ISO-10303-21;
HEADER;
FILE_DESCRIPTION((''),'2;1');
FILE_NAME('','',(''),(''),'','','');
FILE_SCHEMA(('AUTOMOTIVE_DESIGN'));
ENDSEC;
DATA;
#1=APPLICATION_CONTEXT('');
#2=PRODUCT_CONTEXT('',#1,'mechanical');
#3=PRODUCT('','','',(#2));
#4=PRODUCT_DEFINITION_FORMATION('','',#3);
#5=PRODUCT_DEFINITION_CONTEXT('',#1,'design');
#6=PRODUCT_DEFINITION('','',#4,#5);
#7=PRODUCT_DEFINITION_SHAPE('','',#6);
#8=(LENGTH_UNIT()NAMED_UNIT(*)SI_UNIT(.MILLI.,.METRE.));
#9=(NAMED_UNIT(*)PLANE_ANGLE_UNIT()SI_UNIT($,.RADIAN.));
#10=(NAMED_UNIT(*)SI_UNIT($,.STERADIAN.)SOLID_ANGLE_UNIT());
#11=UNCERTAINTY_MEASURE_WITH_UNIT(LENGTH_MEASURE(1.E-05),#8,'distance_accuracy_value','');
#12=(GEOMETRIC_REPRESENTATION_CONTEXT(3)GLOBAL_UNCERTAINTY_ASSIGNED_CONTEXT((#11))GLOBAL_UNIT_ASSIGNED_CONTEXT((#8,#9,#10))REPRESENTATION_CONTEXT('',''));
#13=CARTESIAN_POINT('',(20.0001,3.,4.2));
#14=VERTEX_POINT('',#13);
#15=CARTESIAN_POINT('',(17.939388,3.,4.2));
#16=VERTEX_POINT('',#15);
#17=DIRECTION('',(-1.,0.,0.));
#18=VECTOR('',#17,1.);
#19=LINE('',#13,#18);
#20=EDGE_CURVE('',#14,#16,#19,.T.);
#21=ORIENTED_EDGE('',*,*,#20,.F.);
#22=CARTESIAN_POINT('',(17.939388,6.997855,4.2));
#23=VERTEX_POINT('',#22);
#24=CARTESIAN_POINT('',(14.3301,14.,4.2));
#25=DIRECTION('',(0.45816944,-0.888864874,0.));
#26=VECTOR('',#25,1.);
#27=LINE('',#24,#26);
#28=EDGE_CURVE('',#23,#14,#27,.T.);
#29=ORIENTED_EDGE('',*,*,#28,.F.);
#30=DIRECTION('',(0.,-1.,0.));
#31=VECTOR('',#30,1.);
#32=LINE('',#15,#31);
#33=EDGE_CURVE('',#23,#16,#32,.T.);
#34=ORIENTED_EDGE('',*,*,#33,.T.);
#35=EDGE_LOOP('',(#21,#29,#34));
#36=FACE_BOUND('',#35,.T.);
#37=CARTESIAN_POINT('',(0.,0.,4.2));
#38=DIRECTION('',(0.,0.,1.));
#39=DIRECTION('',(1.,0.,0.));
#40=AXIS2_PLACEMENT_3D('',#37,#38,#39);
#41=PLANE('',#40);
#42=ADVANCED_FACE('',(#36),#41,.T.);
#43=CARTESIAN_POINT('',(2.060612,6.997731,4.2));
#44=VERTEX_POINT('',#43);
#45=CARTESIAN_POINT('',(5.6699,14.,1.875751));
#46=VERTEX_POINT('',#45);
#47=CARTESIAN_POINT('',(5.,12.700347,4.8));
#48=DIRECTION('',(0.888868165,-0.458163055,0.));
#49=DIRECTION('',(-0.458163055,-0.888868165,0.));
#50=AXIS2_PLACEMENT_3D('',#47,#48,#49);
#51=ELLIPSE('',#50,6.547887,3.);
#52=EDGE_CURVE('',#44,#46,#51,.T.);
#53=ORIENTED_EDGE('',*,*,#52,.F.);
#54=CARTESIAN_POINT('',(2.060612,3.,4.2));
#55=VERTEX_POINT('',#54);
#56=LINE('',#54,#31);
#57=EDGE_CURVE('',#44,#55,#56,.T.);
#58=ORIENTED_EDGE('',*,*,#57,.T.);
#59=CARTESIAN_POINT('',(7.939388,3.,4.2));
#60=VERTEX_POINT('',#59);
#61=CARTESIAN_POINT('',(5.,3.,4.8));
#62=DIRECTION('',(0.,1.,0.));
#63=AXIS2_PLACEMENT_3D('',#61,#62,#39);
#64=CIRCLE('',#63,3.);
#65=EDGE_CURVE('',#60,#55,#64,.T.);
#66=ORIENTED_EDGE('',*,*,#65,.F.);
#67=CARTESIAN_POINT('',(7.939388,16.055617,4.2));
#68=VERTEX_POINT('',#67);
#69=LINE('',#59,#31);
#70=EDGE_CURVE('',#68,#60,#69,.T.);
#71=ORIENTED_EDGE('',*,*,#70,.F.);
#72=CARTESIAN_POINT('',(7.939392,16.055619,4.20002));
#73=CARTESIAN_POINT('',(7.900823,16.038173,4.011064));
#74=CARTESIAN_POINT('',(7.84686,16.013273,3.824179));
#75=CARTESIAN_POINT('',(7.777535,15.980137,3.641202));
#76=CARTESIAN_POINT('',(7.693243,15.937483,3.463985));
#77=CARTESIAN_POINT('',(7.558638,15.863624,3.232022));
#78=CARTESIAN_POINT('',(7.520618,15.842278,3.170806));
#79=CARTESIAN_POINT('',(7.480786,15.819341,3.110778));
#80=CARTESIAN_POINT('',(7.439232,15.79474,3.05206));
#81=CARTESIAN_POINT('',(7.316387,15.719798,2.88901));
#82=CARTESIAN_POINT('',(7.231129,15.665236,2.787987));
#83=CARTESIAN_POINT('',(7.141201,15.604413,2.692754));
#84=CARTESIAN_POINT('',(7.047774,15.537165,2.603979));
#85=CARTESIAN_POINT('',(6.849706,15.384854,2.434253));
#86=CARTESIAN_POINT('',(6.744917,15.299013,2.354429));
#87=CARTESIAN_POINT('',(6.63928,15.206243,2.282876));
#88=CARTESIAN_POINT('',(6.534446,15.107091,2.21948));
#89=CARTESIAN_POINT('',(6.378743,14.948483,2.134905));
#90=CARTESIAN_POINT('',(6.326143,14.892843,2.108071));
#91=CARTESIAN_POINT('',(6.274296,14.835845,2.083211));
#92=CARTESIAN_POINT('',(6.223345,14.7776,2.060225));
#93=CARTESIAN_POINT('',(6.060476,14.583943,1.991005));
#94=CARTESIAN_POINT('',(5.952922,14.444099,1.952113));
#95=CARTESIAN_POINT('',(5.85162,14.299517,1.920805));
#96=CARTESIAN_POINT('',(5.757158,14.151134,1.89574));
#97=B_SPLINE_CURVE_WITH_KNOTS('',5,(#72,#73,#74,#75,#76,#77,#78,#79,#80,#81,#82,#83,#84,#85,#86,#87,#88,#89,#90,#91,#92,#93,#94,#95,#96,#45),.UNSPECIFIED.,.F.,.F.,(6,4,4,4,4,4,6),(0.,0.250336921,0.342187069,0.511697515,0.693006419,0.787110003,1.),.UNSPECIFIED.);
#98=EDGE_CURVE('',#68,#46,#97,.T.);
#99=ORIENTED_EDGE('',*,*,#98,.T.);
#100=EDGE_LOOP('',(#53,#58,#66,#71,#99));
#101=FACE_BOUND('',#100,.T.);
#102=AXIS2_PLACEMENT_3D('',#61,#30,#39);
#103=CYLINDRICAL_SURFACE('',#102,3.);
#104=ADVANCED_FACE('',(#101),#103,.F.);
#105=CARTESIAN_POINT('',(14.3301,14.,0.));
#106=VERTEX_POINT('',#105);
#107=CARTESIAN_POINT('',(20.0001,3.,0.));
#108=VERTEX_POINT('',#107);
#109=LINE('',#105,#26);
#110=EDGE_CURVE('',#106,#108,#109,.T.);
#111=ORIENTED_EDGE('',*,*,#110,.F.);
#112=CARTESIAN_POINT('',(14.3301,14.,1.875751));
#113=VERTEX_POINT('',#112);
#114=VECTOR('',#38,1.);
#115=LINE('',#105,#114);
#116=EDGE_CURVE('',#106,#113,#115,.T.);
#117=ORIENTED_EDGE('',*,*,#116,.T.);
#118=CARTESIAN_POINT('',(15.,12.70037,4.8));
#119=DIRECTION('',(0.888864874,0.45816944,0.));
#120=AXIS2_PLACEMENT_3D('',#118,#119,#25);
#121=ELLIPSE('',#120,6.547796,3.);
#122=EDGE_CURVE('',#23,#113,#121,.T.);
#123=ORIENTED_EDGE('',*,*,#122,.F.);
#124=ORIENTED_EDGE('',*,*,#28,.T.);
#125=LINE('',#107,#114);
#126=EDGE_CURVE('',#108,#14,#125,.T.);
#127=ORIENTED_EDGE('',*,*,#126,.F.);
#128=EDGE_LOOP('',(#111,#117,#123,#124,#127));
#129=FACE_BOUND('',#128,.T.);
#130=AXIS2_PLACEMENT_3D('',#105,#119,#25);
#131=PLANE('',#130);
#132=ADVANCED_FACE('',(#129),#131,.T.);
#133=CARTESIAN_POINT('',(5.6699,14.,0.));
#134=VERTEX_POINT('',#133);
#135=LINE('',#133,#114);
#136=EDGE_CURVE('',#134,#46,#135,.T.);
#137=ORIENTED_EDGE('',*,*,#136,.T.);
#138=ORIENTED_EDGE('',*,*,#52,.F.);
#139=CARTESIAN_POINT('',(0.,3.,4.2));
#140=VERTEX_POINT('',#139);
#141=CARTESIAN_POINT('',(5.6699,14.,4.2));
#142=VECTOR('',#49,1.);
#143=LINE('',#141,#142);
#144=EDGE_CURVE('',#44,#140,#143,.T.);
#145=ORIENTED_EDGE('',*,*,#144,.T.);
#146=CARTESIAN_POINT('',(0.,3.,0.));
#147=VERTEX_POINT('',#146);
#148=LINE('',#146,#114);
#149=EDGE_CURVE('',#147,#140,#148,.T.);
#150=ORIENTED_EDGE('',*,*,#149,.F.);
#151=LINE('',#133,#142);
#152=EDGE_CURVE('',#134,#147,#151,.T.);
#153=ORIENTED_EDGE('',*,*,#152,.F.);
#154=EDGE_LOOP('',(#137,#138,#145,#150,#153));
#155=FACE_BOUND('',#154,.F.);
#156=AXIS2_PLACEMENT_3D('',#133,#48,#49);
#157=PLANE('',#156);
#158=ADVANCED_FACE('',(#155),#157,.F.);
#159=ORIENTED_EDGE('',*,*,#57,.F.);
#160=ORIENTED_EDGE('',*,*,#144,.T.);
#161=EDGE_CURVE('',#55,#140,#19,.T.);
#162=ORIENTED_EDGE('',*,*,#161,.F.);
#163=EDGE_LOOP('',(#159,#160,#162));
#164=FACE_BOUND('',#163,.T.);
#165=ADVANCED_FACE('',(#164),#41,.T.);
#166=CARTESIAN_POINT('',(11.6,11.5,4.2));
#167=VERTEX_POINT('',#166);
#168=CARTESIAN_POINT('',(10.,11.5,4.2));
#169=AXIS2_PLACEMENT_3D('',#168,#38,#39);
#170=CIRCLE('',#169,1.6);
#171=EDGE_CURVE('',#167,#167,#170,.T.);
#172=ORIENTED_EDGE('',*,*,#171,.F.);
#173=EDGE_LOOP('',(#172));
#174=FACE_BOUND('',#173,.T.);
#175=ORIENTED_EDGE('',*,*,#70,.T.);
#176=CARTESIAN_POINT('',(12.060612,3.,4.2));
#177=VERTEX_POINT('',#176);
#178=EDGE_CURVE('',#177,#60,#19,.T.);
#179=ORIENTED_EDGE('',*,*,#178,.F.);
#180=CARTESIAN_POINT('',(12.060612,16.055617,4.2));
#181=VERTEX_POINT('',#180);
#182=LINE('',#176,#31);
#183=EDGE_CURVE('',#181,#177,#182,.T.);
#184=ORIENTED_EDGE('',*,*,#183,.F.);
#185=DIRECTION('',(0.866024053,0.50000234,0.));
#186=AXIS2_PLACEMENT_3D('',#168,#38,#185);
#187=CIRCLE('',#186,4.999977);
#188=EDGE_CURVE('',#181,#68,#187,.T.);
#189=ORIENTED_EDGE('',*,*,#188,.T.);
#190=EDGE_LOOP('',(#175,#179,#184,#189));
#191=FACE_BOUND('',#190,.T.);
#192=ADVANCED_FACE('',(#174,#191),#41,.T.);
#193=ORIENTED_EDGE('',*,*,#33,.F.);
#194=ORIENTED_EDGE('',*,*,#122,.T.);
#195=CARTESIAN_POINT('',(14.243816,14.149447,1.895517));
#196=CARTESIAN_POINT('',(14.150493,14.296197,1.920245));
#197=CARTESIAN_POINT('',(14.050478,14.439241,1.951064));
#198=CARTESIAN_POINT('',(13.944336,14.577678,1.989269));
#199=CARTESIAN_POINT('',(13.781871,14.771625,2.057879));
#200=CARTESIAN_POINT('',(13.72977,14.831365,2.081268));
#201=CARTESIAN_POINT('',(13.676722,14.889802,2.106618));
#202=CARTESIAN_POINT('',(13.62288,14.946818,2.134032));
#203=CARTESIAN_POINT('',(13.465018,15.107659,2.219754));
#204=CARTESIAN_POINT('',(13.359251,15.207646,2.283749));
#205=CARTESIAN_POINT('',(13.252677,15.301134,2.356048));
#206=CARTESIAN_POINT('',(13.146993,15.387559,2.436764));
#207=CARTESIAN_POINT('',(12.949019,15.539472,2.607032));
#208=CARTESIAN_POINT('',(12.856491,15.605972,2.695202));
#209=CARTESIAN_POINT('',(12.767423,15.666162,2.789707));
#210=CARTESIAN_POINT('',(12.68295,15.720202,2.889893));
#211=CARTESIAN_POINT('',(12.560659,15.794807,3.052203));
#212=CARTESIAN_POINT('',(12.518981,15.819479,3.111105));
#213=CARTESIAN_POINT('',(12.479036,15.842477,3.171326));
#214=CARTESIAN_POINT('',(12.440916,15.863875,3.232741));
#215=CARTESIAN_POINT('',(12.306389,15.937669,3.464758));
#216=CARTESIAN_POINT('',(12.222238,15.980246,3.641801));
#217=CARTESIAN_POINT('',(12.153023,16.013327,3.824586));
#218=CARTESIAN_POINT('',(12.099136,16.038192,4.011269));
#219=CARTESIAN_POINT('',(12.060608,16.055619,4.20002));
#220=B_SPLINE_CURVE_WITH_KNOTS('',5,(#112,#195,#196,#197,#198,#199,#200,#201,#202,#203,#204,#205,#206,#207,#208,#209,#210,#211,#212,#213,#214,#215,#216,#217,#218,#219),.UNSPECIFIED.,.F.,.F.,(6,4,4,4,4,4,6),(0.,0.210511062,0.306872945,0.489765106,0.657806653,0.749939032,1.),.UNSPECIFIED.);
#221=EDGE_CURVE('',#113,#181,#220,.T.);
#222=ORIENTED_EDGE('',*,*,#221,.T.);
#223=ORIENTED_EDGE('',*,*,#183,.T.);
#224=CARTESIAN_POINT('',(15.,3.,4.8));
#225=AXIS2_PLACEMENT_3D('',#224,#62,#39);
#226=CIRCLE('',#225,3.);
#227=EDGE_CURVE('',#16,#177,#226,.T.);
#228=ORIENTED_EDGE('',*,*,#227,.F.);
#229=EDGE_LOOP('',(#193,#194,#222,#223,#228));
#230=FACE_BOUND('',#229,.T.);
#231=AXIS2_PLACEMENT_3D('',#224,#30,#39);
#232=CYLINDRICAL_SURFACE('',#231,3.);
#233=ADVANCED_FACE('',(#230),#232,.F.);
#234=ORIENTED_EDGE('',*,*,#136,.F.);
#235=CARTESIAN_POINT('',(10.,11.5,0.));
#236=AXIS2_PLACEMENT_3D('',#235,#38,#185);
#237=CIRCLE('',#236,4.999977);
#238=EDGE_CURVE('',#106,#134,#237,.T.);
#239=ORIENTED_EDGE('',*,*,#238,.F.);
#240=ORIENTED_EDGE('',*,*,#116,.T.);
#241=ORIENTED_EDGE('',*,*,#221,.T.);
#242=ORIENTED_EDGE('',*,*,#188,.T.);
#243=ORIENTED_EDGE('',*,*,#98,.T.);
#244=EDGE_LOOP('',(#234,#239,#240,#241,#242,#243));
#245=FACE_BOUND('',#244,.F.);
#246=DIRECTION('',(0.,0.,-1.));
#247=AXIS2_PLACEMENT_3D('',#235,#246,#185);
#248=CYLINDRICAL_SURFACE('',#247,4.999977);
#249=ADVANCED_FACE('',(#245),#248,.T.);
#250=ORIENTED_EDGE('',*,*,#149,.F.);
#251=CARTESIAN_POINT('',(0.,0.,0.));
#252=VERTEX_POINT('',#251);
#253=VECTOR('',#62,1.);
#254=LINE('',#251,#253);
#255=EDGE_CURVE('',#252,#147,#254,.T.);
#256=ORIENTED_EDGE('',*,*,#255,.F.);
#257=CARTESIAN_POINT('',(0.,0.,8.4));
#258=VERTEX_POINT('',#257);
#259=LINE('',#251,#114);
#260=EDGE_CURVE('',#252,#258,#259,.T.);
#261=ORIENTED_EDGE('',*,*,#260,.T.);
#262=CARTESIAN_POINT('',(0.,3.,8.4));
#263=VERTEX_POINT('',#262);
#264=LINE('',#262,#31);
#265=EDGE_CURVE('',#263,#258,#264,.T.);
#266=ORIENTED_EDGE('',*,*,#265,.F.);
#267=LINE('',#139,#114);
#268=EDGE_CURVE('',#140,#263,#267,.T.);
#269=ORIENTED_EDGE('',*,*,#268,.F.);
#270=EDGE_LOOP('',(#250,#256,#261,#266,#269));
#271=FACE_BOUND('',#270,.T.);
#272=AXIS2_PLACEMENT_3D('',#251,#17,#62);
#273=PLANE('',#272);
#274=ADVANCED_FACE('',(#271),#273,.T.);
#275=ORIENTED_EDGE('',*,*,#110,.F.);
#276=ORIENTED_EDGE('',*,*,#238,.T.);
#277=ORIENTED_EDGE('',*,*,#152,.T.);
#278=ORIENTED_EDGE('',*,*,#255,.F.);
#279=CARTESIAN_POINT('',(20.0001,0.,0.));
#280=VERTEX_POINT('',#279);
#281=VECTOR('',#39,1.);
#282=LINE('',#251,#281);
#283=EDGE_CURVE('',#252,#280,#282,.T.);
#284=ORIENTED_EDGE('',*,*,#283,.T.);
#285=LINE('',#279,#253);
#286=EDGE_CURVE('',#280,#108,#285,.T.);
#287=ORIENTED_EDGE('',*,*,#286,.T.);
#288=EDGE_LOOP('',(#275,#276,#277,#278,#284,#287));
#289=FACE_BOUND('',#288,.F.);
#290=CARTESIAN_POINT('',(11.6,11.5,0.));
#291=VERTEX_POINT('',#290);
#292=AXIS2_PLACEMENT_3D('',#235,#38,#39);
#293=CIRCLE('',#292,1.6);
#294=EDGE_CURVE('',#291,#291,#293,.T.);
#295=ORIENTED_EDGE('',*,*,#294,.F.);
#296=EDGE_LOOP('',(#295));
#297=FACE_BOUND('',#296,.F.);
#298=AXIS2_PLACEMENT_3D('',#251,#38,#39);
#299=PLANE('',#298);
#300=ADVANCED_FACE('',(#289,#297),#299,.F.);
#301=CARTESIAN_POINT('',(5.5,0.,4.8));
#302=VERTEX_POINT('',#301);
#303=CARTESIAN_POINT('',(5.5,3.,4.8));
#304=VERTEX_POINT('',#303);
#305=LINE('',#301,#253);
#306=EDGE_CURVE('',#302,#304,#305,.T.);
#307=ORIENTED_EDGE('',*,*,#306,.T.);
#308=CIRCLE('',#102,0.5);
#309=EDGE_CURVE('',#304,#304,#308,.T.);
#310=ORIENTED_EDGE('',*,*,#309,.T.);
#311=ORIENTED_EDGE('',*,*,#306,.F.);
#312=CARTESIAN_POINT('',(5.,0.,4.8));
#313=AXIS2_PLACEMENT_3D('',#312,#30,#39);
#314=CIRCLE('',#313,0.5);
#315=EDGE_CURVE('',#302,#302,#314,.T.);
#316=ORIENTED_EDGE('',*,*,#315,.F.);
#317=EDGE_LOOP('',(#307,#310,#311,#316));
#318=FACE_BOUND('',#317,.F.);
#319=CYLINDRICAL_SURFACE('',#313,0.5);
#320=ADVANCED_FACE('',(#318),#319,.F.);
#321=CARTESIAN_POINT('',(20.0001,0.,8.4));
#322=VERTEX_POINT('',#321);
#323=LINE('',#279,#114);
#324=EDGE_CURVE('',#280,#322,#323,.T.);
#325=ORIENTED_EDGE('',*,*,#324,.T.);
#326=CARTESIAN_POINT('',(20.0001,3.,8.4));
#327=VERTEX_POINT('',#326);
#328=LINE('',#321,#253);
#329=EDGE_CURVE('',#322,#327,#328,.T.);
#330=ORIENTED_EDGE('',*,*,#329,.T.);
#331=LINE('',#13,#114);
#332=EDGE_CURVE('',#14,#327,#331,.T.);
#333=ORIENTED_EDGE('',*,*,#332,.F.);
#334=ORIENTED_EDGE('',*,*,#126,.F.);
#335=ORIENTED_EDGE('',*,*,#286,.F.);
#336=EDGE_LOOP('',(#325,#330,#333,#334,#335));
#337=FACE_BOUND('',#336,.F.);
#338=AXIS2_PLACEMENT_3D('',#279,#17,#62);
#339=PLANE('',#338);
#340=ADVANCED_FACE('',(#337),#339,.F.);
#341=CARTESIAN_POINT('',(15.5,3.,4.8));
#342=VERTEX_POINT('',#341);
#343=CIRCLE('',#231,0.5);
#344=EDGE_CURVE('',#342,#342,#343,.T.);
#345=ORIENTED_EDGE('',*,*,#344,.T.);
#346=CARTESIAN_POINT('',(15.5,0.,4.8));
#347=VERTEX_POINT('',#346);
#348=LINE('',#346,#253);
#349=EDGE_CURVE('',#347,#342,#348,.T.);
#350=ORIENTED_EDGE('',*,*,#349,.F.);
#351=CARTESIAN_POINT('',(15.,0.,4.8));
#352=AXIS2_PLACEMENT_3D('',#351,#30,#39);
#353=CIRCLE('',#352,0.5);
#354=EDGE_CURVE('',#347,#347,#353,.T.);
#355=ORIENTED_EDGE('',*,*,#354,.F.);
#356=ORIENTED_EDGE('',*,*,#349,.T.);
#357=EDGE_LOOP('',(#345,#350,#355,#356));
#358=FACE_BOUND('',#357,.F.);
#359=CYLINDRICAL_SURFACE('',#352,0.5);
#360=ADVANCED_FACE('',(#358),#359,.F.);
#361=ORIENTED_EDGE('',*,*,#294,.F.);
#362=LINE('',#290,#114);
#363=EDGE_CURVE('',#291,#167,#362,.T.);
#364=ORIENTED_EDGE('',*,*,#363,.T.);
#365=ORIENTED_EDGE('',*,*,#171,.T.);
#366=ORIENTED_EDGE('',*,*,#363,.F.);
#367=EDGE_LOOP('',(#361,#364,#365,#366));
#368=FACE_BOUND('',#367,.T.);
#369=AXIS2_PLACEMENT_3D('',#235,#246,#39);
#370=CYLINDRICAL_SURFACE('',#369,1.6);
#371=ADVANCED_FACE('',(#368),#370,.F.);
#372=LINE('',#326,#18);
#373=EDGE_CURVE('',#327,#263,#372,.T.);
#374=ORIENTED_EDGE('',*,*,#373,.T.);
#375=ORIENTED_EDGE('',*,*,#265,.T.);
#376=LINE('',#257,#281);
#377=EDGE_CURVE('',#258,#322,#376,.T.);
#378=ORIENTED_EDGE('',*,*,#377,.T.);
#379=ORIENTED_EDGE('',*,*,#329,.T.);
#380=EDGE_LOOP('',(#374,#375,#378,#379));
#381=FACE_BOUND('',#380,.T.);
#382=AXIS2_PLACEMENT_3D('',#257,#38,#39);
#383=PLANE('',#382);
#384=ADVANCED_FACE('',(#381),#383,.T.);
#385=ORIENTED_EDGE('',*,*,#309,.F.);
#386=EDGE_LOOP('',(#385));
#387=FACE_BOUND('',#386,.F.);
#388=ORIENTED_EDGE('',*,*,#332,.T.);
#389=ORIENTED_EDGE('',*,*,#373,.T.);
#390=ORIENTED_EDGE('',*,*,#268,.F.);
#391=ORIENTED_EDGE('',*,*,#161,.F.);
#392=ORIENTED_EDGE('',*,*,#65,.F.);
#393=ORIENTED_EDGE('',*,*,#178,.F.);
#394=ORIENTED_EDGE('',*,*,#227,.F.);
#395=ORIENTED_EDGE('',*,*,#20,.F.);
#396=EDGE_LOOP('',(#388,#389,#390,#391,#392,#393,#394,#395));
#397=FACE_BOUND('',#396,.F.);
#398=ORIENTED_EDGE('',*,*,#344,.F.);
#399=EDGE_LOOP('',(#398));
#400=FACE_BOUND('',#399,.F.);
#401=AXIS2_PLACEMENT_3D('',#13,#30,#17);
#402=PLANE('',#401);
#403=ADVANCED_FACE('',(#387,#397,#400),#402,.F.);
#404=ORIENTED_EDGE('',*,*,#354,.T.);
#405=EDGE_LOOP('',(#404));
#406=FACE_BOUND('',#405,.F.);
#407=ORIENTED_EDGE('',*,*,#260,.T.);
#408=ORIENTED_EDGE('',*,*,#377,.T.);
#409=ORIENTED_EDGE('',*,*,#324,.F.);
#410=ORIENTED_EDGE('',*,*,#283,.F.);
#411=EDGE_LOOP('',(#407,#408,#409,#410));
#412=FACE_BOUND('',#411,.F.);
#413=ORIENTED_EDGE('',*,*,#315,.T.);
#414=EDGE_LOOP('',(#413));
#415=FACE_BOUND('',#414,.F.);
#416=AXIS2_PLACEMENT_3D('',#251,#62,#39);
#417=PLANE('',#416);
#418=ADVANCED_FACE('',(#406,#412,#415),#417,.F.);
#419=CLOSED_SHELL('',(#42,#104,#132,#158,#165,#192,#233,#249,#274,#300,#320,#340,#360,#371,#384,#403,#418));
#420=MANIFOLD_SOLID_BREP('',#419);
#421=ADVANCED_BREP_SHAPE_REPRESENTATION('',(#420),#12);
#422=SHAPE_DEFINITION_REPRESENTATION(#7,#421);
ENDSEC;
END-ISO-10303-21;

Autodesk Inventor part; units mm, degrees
ref_plane "YZ Plane" through (0, 0, 0) normal (1, 0, 0) x (0, 1, 0)
ref_plane "XZ Plane" through (0, 0, 0) normal (0, 1, 0) x (-1, 0, 0)
ref_plane "XY Plane" through (0, 0, 0) normal (0, 0, 1) x (1, 0, 0)
sketch "Sketch1" plane through (0, 0, 0) normal (0, 0, 1) x (1, 0, 0)
  circle A0 centre (10, 11.5) radius 1.6
  line L0 (0, 0) -> (20.0001, 0)
  line L1 (0, 0) -> (0, 3)
  line L2 (20.0001, 0) -> (20.0001, 3)
  line L3 (0, 3) -> (16, 3) construction
  line L4 (20.0001, 3) -> (36.0001, 3) construction
  arc A1 (14.3301, 14) -> (5.6699, 14) centre (10, 11.5) ccw
  line L5 (10, 11.5) -> (5.6699, 14) construction
  line L6 (10, 11.5) -> (14.3301, 14) construction
  line L7 (5.6699, 14) -> (0, 3)
  line L8 (14.3301, 14) -> (20.0001, 3)
  dimension "d17" = 3
  dimension "d18" = 3
  dimension "d19" = 11.5
  dimension "d23" = 90
  dimension "d24" = 90
  dimension "d25" = 10
  dimension "d31" = 5
  dimension "d32" = 120
  dimension "d33" = 14
extrude "Extrusion1" add sketch "Sketch1" along normal blind 4.2
sketch "Sketch4" plane through (0, 0, 4.2) normal (0, 0, 1) x (1, 0, 0)
  line L0 (0, 3) -> (0, 0) projected
  line L1 (20.0001, 0) -> (20.0001, 3) projected
  line L2 (0, 0) -> (20.0001, 0)
  line L3 (20.0001, 0) -> (20.0001, 3)
  line L4 (20.0001, 3) -> (0, 3)
  line L5 (0, 3) -> (0, 0)
extrude "Extrusion2" add sketch "Sketch4" along normal blind 4.2
sketch "Sketch5" plane through (0, 0, 0) normal (0, -1, 0) x (1, 0, 0)
  circle A0 centre (5, 4.8) radius 0.5
  circle A1 centre (15, 4.8) radius 0.5
  line L0 (0, 0) -> (20.0001, 0) projected
  dimension "d13" = 1
  dimension "d14" = 1
  dimension "d38" = 4.8
  dimension "d39" = 4.8
extrude "Extrusion3" cut sketch "Sketch5" against normal blind 5.5
sketch "Sketch6" plane through (0, 3, 8.4) normal (0, 1, 0) x (1, 0, 0)
  circle A0 centre (5, 3.6) radius 0.5 projected
  circle A1 centre (5, 3.6) radius 3
  circle A2 centre (15, 3.6) radius 0.5 projected
  circle A3 centre (15, 3.6) radius 3
  line L0 (0, 8.4) -> (20.0001, 8.4) projected
  dimension "d34" = 6
  dimension "d35" = 6
  dimension "d40" = 4.8
  dimension "d41" = 4.8
extrude "Extrusion4" cut sketch "Sketch6" along normal up to next
properties part number "lower_deck_shaft_mount_printing"
